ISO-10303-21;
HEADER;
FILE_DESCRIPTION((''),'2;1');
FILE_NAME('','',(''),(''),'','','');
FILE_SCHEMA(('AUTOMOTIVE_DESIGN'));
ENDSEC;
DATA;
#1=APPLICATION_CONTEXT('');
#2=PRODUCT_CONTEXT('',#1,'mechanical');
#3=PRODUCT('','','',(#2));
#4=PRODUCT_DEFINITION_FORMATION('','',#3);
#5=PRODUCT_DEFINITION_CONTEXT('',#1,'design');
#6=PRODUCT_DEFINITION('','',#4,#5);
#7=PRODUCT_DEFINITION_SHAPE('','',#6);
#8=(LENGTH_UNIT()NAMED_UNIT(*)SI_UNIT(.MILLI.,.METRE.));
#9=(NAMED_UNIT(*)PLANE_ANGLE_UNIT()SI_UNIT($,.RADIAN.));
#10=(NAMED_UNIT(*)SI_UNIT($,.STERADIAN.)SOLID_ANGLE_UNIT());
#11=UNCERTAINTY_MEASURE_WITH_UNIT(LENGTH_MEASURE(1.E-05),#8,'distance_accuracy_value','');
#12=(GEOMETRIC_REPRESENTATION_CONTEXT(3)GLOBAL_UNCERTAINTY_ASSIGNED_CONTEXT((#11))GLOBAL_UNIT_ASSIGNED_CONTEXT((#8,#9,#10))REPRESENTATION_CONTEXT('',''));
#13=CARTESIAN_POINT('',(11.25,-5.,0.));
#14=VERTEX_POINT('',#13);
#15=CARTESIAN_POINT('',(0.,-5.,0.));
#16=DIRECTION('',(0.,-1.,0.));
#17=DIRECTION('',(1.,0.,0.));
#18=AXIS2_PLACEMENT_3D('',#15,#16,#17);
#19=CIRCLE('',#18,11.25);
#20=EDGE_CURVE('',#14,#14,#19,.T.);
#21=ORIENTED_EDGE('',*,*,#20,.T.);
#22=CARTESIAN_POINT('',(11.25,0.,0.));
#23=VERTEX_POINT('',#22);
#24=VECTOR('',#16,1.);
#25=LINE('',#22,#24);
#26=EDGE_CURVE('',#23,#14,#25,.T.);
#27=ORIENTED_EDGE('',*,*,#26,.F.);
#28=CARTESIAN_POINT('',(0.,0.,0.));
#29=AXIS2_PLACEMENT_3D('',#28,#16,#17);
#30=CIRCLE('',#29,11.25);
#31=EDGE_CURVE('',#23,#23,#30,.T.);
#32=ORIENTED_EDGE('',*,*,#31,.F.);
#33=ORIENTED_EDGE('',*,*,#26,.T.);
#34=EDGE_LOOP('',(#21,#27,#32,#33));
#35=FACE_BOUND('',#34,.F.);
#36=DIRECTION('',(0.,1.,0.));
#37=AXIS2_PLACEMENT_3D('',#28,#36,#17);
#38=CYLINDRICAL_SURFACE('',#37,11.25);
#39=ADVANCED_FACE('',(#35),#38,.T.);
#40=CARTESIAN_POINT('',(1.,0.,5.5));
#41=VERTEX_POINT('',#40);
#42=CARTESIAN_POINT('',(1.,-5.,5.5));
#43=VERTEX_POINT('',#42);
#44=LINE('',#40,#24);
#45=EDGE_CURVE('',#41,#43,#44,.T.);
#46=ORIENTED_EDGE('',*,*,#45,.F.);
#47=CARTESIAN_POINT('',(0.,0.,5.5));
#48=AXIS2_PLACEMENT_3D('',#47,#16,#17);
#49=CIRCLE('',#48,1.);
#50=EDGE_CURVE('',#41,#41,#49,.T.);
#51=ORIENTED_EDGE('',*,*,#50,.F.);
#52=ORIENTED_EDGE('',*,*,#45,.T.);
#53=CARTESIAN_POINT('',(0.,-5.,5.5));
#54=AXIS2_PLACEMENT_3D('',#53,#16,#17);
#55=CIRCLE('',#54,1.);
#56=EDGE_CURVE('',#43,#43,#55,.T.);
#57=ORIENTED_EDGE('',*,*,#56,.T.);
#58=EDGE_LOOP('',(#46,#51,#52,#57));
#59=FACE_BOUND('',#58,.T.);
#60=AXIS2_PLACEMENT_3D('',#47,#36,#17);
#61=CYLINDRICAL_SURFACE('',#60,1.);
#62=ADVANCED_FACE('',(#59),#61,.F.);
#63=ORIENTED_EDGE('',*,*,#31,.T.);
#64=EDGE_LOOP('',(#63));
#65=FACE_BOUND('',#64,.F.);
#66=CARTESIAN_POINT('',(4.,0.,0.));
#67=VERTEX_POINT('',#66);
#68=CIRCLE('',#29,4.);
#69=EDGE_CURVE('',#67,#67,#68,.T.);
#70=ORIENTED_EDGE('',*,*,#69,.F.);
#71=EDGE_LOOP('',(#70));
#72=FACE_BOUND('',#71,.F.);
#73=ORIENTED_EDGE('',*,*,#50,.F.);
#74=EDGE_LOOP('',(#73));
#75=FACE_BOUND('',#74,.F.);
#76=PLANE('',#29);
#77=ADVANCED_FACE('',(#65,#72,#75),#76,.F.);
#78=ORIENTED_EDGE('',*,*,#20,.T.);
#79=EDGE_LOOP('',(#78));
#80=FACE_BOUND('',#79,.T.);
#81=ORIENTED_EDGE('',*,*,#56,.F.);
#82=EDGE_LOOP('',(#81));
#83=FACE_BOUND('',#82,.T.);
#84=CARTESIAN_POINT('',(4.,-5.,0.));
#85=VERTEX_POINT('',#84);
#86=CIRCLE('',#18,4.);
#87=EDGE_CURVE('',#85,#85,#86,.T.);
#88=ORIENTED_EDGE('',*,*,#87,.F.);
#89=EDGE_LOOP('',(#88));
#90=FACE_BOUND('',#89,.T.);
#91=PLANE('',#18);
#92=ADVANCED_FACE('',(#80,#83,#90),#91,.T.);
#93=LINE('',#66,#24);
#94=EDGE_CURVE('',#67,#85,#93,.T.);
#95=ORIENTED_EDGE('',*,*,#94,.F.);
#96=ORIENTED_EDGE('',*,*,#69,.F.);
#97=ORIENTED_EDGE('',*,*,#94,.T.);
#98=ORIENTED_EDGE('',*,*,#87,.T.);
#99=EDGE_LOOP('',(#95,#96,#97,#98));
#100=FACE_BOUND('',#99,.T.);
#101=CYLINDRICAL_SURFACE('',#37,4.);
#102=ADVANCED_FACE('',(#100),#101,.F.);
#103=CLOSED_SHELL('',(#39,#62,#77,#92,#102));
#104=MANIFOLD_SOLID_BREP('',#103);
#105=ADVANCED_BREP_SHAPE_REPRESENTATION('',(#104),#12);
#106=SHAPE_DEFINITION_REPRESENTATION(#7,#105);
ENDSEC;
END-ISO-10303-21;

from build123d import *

# Parameters (mm, degrees)
F0_R     = 11.25
F0_R_2   = 4
F0_R_3   = 1
F1_DEPTH = 5


with BuildPart() as f1:
    # F0 (on Front) → F1 (new body)
    with BuildSketch(Plane.XZ):
        Circle(F0_R)
        Circle(F0_R_2, mode=Mode.SUBTRACT)
        with Locations((0, 5.5)):
            Circle(F0_R_3, mode=Mode.SUBTRACT)
    extrude(amount=F1_DEPTH)


solid = f1.part
